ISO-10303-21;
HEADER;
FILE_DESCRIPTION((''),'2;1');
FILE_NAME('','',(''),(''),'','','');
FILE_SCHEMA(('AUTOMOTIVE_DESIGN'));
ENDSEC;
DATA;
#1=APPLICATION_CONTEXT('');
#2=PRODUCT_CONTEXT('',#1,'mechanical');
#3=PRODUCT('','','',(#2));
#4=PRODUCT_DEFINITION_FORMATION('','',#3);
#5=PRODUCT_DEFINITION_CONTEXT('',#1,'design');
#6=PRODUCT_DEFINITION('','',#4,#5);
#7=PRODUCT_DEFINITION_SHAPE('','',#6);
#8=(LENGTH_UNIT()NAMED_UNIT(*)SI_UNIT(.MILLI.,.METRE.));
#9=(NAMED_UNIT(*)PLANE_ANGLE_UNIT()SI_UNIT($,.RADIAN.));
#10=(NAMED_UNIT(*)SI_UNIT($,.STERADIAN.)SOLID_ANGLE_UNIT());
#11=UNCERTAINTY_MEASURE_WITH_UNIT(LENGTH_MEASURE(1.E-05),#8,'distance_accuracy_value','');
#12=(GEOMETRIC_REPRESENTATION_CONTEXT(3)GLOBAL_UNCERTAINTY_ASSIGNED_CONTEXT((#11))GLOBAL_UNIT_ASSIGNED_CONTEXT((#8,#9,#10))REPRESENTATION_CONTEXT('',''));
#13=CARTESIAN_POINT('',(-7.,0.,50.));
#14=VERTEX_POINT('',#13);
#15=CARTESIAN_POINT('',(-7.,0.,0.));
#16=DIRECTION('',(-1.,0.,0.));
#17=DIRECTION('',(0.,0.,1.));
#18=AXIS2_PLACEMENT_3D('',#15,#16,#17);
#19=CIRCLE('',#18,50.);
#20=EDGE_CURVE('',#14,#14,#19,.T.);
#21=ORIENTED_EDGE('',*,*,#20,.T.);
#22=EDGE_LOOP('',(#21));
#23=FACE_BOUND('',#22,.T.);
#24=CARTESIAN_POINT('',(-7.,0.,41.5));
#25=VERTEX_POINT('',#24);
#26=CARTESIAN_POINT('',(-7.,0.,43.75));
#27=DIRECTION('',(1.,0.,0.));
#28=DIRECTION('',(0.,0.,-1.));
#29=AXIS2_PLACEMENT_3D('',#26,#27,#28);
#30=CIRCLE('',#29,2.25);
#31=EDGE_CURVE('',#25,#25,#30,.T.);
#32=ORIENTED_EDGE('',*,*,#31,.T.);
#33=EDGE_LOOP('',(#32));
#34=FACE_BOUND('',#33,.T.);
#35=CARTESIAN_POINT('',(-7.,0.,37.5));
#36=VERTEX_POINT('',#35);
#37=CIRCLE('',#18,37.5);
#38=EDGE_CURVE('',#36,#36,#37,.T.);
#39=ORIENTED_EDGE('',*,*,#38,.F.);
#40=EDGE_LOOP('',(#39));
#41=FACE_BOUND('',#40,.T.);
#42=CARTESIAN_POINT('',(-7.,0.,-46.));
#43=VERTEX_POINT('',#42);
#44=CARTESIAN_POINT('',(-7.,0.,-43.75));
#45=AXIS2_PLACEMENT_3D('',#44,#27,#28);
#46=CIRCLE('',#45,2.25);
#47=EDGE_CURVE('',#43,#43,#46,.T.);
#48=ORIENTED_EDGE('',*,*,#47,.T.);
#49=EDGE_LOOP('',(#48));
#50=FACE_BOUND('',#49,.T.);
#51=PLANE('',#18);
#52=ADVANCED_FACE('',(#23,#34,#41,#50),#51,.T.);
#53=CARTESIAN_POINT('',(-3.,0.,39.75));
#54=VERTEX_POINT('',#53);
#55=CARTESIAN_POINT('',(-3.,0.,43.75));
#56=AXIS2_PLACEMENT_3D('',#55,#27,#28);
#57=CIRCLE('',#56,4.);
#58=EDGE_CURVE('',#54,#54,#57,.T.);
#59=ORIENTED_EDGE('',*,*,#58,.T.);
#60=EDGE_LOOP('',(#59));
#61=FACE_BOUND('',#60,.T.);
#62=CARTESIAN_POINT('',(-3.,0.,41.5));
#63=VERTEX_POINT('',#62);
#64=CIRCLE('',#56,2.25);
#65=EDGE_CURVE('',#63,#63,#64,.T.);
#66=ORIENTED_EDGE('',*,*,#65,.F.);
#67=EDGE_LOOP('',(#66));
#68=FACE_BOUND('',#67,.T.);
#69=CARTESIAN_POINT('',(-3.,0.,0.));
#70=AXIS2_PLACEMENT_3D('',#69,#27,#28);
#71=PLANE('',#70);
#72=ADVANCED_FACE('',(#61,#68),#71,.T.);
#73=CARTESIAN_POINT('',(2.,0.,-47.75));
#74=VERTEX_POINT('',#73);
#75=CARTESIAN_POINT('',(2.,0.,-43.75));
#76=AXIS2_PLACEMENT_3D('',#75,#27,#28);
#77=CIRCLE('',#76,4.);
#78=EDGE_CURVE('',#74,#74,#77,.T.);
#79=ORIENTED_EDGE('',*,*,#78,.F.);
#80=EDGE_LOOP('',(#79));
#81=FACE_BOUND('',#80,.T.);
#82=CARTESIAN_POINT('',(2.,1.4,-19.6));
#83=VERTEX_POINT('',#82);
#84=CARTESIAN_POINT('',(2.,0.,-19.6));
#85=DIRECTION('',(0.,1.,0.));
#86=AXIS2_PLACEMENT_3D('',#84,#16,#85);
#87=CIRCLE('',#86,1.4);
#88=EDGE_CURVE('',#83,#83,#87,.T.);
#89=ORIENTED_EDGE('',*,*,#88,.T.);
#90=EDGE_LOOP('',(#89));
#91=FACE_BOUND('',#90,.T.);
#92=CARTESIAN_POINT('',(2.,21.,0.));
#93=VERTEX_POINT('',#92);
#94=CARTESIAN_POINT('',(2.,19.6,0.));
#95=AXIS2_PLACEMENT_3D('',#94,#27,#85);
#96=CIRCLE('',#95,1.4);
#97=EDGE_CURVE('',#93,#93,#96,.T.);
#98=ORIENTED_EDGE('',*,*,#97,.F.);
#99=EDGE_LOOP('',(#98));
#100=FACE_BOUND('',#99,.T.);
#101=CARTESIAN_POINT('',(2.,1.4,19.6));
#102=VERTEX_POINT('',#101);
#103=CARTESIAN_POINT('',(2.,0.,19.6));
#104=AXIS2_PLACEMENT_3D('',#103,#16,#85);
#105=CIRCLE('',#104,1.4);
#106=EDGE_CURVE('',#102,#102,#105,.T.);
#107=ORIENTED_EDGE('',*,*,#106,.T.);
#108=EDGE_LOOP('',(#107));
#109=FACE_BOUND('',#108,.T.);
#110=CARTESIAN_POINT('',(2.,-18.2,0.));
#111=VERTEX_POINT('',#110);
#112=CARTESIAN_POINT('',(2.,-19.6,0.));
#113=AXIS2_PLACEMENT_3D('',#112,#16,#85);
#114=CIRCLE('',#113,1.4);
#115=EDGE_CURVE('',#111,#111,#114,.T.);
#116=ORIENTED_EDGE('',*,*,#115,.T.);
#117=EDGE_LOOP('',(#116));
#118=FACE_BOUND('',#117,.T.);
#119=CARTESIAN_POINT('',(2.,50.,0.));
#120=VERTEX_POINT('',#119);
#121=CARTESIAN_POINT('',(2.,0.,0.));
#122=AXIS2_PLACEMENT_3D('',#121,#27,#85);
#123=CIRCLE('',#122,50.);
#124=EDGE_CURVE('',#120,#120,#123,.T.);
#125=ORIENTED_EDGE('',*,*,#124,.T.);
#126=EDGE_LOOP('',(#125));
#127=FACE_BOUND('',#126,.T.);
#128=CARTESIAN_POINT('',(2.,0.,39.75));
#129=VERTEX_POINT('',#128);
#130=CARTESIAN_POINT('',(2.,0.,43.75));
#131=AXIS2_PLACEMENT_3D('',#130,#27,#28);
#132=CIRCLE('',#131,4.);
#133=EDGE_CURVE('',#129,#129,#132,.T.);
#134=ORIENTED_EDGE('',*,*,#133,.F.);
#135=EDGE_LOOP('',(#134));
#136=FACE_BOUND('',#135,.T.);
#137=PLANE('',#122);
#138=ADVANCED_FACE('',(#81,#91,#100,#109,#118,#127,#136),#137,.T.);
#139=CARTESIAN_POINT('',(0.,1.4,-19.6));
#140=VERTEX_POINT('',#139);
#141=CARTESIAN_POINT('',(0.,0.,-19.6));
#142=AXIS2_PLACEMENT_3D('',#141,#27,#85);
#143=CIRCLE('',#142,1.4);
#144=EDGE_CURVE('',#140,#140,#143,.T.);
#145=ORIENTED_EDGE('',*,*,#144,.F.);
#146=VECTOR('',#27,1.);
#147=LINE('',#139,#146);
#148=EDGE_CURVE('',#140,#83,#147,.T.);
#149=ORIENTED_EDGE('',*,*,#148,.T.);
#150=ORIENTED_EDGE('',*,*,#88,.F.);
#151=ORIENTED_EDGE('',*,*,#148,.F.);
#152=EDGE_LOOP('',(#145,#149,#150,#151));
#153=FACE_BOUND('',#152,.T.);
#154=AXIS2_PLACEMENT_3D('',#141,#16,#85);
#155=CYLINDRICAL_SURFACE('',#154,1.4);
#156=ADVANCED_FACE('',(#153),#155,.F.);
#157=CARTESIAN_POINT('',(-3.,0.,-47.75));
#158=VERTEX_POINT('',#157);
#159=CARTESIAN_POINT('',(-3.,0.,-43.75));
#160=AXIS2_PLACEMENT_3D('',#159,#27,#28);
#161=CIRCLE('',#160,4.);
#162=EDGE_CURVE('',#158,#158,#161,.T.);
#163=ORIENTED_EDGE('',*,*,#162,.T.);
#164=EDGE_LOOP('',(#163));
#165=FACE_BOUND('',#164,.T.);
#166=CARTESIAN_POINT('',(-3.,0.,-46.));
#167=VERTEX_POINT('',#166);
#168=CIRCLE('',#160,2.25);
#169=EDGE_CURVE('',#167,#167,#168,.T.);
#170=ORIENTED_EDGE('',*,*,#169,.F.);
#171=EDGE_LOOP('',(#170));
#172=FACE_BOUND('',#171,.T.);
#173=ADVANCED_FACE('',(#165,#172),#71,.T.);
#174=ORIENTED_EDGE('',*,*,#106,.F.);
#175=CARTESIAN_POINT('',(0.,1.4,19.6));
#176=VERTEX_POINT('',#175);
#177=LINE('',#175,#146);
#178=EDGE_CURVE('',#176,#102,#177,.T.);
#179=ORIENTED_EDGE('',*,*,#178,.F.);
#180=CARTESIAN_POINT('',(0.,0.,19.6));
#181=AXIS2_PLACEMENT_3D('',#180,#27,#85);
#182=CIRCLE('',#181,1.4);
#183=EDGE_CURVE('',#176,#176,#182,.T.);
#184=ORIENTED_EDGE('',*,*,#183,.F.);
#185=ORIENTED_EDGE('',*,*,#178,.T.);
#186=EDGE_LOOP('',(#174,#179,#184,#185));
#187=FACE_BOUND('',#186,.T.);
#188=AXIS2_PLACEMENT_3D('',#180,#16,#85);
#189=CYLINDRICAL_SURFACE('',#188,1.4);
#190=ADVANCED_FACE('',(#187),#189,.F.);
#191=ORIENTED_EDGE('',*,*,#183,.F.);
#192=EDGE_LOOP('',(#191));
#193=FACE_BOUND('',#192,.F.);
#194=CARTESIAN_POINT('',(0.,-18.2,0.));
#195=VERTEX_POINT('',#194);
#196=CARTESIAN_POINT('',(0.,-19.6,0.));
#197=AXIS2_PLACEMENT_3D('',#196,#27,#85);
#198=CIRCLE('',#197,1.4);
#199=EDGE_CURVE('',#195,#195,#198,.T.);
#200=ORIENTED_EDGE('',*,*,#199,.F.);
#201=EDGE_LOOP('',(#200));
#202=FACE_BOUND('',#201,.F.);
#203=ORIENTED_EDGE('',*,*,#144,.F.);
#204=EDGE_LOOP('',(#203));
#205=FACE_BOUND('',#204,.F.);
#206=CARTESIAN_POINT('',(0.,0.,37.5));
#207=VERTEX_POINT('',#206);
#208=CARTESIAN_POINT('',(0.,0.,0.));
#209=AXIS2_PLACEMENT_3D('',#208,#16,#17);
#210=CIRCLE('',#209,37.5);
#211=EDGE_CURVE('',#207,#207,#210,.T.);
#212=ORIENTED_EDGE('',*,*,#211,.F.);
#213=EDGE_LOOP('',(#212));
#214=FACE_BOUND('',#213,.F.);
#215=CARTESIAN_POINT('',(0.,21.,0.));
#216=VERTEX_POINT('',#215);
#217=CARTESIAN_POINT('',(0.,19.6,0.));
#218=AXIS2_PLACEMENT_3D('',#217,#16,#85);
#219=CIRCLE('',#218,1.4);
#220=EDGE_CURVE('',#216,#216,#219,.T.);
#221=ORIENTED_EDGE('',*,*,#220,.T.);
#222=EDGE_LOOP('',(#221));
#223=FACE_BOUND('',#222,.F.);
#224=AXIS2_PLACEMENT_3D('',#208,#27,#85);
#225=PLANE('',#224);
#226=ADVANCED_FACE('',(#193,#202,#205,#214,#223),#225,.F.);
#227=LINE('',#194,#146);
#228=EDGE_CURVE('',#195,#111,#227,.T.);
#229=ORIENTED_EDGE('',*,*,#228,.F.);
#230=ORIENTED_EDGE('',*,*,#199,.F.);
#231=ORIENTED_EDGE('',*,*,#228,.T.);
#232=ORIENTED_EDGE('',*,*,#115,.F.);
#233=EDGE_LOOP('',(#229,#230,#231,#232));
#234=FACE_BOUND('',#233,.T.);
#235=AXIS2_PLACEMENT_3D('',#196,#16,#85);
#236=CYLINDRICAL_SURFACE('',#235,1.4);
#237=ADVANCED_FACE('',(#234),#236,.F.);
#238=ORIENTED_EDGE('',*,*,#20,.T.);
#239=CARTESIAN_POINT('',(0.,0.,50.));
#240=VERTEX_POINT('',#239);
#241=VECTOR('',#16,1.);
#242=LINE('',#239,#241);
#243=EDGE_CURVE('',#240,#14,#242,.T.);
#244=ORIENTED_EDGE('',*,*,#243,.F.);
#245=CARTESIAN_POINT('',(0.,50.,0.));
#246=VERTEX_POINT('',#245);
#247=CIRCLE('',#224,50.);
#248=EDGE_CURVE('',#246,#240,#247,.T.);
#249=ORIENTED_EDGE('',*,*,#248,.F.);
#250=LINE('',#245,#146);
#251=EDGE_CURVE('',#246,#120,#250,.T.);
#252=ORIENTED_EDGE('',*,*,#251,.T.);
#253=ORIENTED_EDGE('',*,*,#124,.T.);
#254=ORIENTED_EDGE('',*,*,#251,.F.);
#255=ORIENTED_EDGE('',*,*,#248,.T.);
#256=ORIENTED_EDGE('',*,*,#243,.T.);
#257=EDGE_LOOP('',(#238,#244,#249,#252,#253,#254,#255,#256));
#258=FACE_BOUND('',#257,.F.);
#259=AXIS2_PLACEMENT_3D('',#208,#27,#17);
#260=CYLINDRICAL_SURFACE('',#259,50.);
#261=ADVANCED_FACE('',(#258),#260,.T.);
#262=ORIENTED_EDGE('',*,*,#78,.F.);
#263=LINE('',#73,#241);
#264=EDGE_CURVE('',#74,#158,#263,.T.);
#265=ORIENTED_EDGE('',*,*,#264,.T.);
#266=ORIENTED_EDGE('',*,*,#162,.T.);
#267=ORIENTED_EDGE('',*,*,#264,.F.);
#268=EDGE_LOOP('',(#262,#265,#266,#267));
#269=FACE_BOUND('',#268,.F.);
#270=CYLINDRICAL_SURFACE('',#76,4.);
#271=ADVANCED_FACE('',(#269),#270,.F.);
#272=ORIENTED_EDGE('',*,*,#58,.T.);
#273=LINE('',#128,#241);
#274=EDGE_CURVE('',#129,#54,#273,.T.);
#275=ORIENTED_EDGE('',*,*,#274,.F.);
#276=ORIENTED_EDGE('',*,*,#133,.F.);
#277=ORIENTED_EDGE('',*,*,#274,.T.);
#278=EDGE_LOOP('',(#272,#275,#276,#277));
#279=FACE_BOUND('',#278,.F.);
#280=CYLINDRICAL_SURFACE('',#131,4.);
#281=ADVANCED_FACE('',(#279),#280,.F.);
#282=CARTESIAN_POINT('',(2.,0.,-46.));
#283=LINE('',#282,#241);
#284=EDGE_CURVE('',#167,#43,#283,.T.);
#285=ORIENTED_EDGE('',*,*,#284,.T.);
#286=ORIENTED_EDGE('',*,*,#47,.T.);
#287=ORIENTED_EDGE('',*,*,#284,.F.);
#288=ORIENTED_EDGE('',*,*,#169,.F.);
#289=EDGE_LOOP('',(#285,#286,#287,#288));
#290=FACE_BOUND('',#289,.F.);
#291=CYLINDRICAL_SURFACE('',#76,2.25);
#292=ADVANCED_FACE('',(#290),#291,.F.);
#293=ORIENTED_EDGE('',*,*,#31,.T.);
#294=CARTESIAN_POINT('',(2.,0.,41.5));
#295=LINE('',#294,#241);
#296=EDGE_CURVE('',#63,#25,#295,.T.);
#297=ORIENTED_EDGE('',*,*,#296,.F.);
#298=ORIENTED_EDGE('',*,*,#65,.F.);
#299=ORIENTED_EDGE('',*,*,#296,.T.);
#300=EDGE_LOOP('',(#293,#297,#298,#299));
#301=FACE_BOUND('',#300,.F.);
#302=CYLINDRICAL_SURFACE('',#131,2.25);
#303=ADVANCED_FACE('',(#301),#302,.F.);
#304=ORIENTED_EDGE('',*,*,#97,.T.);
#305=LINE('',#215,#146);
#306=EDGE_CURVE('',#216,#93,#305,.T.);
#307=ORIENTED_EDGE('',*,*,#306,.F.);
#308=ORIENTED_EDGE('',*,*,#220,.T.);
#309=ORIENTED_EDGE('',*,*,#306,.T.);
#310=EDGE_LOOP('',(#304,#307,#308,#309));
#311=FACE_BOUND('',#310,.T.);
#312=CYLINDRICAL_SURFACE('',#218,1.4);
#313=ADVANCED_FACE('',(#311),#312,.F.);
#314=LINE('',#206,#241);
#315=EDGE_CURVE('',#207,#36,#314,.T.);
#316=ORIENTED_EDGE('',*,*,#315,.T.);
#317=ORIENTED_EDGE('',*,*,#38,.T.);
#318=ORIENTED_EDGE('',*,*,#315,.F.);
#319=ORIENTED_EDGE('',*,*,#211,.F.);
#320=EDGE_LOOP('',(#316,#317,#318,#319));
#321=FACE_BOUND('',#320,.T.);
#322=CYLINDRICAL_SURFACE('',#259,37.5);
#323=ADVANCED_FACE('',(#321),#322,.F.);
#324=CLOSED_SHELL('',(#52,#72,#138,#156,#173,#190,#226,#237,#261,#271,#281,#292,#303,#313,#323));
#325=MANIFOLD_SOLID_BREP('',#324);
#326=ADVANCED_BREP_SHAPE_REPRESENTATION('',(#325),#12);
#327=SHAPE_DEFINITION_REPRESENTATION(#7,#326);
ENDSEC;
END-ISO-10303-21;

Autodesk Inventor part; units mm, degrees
ref_plane "YZ Plane" through (0, 0, 0) normal (1, 0, 0) x (0, 1, 0)
ref_plane "XZ Plane" through (0, 0, 0) normal (0, 1, 0) x (-1, 0, 0)
ref_plane "XY Plane" through (0, 0, 0) normal (0, 0, 1) x (1, 0, 0)
sketch "スケッチ1" plane through (0, 0, 0) normal (1, 0, 0) x (0, 1, 0)
  circle A0 centre (0, 0) radius 19.6
  circle A1 centre (0, 19.6) radius 1.4
  circle A2 centre (-19.6, 0) radius 1.4
  circle A3 centre (0, -19.6) radius 1.4
  circle A4 centre (19.6, 0) radius 1.4
  circle A5 centre (0, 0) radius 50
  dimension "d0" = 39.2
  dimension "d1" = 2.8
  dimension "d4" = 360
  dimension "d6" = 100
extrude "押し出し1" add sketch "スケッチ1" along normal blind 2 contours A4 A0 A3 A2 A1 | A5
sketch "スケッチ2" plane through (0, 0, 0) normal (-1, 0, 0) x (0, 0, 1)
  circle A0 centre (0, 0) radius 50
  circle A1 centre (0, 0) radius 37.5
  dimension "d9" = 75
extrude "押し出し2" add sketch "スケッチ2" along normal blind 7
sketch "スケッチ3" plane through (2, 0, 0) normal (1, 0, 0) x (0, 0, -1)
  circle A0 centre (0, 0) radius 43.75
  circle A1 centre (-43.75, 0) radius 2.25
  circle A2 centre (43.75, 0) radius 2.25
  dimension "d12" = 87.5
  dimension "d13" = 4.5
  dimension "d14" = 4.5
extrude "押し出し3" cut sketch "スケッチ3" against normal blind 10 contours A0 A2 | A0 A2 | A1 A0 | A0 A1
sketch "スケッチ4" plane through (2, 0, 0) normal (1, 0, 0) x (0, 0, -1)
  circle A0 centre (-43.75, 0) radius 2.25 projected
  circle A1 centre (-43.75, 0) radius 4
  circle A2 centre (43.75, 0) radius 2.25 projected
  circle A3 centre (43.75, 0) radius 4
  point P0 (0, 0)
  dimension "d17" = 8
  dimension "d18" = 8
extrude "押し出し4" cut sketch "スケッチ4" against normal blind 5
properties part number "laboratory_equipment-GIM3505-8" material "ABS プラスチック"
